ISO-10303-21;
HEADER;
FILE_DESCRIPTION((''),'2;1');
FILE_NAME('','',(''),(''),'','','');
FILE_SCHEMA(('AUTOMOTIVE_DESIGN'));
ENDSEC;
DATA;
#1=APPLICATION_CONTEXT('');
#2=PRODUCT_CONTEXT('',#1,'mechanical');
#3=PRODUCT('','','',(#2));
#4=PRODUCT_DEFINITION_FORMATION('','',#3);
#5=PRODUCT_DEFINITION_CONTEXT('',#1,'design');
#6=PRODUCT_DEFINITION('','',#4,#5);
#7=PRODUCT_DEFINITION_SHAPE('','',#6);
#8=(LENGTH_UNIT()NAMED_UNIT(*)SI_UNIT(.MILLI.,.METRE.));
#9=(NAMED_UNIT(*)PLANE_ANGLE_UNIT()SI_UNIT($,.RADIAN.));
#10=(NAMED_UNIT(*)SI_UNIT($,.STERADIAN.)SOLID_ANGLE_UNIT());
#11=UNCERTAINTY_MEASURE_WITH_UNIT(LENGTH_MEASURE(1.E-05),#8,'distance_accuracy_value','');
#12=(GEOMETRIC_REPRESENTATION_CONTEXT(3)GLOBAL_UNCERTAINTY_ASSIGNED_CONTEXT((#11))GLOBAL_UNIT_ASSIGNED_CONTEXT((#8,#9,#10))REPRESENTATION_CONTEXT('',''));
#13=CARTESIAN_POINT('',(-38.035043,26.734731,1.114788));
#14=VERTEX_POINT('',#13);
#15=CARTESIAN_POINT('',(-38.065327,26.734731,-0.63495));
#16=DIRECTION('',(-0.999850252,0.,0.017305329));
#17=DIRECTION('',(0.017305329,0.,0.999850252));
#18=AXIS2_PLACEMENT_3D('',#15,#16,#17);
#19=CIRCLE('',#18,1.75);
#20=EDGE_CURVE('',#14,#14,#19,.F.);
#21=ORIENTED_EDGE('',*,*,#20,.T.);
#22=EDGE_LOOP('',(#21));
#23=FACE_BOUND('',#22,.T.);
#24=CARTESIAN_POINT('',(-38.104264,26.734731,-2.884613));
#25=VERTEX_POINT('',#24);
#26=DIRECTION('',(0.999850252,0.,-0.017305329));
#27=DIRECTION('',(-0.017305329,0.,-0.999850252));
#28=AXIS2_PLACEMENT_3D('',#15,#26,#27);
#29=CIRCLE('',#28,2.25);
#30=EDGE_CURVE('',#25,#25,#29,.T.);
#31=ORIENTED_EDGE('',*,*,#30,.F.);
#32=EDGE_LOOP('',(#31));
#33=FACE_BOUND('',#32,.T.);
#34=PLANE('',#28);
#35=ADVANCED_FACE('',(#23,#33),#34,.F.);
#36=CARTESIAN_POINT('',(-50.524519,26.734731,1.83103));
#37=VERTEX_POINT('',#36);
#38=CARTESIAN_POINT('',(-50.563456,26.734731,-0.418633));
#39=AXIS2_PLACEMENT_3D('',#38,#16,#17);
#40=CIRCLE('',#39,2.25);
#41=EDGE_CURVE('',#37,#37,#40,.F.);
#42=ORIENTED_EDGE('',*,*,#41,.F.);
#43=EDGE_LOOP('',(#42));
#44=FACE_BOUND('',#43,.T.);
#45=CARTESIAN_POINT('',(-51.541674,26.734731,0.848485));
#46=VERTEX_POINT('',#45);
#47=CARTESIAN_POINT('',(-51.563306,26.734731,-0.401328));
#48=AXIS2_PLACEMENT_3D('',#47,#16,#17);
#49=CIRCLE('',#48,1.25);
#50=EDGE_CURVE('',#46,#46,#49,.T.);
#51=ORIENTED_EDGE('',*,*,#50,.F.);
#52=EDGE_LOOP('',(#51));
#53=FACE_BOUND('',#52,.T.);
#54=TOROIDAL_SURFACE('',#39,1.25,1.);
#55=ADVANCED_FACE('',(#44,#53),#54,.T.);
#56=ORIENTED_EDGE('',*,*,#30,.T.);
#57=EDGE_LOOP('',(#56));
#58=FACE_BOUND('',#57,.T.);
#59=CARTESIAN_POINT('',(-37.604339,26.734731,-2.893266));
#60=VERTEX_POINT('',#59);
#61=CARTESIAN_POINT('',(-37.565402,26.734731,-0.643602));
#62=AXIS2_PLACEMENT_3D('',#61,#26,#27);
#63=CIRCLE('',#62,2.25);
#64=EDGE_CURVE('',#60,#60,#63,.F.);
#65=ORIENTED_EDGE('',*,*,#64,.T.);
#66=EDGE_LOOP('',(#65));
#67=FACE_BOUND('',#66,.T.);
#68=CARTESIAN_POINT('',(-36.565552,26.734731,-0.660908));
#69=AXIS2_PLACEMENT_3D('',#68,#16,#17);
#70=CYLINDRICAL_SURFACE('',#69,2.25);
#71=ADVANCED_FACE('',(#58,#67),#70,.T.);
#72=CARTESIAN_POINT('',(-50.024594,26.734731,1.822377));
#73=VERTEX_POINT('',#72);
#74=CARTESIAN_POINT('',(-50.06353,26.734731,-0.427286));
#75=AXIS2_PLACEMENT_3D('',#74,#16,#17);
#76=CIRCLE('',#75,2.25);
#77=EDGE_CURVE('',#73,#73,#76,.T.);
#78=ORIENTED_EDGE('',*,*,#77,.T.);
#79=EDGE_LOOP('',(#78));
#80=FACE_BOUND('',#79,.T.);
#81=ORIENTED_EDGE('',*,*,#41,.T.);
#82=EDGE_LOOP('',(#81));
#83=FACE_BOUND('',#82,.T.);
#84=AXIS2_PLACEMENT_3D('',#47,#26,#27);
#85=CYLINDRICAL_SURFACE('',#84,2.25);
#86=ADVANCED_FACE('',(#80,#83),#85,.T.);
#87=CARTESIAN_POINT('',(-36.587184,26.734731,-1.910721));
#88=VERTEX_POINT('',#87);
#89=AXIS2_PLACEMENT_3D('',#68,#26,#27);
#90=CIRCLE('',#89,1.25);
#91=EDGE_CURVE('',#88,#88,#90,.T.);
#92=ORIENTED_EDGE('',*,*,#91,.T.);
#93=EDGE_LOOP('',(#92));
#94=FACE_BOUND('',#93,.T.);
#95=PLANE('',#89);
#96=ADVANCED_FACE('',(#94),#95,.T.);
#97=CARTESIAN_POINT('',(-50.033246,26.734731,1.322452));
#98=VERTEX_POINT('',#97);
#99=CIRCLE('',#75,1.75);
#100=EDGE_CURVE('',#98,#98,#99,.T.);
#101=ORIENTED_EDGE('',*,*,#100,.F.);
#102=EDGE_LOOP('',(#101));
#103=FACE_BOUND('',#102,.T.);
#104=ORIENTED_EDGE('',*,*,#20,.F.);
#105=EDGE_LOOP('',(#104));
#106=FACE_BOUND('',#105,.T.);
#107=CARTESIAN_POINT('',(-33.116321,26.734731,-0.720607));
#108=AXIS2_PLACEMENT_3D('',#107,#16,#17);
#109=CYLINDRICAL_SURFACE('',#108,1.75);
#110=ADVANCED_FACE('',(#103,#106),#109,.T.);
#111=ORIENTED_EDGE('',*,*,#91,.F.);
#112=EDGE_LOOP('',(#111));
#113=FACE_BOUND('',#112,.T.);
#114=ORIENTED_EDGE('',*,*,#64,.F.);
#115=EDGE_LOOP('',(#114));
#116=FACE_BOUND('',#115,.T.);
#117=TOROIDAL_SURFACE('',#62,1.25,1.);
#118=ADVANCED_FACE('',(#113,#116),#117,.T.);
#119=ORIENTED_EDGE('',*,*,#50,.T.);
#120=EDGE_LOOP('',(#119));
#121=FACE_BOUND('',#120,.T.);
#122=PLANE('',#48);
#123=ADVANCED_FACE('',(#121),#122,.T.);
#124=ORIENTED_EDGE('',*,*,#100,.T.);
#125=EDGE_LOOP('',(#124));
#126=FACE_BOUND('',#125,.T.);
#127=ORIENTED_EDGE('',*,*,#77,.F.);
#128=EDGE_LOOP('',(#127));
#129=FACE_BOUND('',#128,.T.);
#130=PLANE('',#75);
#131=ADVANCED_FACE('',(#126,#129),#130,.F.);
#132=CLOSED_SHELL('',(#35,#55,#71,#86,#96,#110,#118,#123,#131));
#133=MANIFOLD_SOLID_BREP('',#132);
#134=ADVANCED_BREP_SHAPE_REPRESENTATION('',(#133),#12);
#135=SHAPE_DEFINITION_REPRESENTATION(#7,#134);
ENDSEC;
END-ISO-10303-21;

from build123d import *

# Parameters (mm, degrees)
SKETCH1_R           = 1.75
BOSS_EXTRUDE1_DEPTH = 12
SKETCH2_R           = 2.25
BOSS_EXTRUDE2_DEPTH = 1.5
SKETCH3_R           = 2.25
BOSS_EXTRUDE3_DEPTH = 1.5
FILLET1_R           = 1


with BuildPart() as part:
    # Sketch1 → Boss-Extrude1 (new body)
    with BuildSketch(Plane(origin=(-50.041144534, 0, 0.866108158), x_dir=(0.017305329, 0, 0.999850252), z_dir=(-0.999850252, 0, 0.017305329))):
        with Locations((-1.293587728, 26.734731136)):
            Circle(SKETCH1_R)
    extrude(amount=-BOSS_EXTRUDE1_DEPTH)

    # Sketch2 → Boss-Extrude2 (add)
    with BuildSketch(Plane(origin=(-50.041144534, 0, 0.866108158), x_dir=(0.017305329, 0, 0.999850252), z_dir=(-0.999850252, 0, 0.017305329))):
        with Locations((-1.293587728, 26.734731136)):
            Circle(SKETCH2_R)
    extrude(amount=BOSS_EXTRUDE2_DEPTH)

    # Sketch3 → Boss-Extrude3 (add)
    with BuildSketch(Plane(origin=(-38.042941515, 0, 0.658444213), x_dir=(-0.017305329, 0, -0.999850252), z_dir=(0.999850252, 0, -0.017305329))):
        with Locations((1.293587728, 26.734731136)):
            Circle(SKETCH3_R)
    extrude(amount=BOSS_EXTRUDE3_DEPTH)

    # Fillet1
    fillet1_edges = [part.edges().sort_by_distance(p)[0] for p in [
        (-51.602242862, 26.734731136, -2.65099093),
        (-36.526615108, 26.734731136, 1.58875527),
    ]]
    fillet(fillet1_edges, radius=FILLET1_R)


solid = part.part
